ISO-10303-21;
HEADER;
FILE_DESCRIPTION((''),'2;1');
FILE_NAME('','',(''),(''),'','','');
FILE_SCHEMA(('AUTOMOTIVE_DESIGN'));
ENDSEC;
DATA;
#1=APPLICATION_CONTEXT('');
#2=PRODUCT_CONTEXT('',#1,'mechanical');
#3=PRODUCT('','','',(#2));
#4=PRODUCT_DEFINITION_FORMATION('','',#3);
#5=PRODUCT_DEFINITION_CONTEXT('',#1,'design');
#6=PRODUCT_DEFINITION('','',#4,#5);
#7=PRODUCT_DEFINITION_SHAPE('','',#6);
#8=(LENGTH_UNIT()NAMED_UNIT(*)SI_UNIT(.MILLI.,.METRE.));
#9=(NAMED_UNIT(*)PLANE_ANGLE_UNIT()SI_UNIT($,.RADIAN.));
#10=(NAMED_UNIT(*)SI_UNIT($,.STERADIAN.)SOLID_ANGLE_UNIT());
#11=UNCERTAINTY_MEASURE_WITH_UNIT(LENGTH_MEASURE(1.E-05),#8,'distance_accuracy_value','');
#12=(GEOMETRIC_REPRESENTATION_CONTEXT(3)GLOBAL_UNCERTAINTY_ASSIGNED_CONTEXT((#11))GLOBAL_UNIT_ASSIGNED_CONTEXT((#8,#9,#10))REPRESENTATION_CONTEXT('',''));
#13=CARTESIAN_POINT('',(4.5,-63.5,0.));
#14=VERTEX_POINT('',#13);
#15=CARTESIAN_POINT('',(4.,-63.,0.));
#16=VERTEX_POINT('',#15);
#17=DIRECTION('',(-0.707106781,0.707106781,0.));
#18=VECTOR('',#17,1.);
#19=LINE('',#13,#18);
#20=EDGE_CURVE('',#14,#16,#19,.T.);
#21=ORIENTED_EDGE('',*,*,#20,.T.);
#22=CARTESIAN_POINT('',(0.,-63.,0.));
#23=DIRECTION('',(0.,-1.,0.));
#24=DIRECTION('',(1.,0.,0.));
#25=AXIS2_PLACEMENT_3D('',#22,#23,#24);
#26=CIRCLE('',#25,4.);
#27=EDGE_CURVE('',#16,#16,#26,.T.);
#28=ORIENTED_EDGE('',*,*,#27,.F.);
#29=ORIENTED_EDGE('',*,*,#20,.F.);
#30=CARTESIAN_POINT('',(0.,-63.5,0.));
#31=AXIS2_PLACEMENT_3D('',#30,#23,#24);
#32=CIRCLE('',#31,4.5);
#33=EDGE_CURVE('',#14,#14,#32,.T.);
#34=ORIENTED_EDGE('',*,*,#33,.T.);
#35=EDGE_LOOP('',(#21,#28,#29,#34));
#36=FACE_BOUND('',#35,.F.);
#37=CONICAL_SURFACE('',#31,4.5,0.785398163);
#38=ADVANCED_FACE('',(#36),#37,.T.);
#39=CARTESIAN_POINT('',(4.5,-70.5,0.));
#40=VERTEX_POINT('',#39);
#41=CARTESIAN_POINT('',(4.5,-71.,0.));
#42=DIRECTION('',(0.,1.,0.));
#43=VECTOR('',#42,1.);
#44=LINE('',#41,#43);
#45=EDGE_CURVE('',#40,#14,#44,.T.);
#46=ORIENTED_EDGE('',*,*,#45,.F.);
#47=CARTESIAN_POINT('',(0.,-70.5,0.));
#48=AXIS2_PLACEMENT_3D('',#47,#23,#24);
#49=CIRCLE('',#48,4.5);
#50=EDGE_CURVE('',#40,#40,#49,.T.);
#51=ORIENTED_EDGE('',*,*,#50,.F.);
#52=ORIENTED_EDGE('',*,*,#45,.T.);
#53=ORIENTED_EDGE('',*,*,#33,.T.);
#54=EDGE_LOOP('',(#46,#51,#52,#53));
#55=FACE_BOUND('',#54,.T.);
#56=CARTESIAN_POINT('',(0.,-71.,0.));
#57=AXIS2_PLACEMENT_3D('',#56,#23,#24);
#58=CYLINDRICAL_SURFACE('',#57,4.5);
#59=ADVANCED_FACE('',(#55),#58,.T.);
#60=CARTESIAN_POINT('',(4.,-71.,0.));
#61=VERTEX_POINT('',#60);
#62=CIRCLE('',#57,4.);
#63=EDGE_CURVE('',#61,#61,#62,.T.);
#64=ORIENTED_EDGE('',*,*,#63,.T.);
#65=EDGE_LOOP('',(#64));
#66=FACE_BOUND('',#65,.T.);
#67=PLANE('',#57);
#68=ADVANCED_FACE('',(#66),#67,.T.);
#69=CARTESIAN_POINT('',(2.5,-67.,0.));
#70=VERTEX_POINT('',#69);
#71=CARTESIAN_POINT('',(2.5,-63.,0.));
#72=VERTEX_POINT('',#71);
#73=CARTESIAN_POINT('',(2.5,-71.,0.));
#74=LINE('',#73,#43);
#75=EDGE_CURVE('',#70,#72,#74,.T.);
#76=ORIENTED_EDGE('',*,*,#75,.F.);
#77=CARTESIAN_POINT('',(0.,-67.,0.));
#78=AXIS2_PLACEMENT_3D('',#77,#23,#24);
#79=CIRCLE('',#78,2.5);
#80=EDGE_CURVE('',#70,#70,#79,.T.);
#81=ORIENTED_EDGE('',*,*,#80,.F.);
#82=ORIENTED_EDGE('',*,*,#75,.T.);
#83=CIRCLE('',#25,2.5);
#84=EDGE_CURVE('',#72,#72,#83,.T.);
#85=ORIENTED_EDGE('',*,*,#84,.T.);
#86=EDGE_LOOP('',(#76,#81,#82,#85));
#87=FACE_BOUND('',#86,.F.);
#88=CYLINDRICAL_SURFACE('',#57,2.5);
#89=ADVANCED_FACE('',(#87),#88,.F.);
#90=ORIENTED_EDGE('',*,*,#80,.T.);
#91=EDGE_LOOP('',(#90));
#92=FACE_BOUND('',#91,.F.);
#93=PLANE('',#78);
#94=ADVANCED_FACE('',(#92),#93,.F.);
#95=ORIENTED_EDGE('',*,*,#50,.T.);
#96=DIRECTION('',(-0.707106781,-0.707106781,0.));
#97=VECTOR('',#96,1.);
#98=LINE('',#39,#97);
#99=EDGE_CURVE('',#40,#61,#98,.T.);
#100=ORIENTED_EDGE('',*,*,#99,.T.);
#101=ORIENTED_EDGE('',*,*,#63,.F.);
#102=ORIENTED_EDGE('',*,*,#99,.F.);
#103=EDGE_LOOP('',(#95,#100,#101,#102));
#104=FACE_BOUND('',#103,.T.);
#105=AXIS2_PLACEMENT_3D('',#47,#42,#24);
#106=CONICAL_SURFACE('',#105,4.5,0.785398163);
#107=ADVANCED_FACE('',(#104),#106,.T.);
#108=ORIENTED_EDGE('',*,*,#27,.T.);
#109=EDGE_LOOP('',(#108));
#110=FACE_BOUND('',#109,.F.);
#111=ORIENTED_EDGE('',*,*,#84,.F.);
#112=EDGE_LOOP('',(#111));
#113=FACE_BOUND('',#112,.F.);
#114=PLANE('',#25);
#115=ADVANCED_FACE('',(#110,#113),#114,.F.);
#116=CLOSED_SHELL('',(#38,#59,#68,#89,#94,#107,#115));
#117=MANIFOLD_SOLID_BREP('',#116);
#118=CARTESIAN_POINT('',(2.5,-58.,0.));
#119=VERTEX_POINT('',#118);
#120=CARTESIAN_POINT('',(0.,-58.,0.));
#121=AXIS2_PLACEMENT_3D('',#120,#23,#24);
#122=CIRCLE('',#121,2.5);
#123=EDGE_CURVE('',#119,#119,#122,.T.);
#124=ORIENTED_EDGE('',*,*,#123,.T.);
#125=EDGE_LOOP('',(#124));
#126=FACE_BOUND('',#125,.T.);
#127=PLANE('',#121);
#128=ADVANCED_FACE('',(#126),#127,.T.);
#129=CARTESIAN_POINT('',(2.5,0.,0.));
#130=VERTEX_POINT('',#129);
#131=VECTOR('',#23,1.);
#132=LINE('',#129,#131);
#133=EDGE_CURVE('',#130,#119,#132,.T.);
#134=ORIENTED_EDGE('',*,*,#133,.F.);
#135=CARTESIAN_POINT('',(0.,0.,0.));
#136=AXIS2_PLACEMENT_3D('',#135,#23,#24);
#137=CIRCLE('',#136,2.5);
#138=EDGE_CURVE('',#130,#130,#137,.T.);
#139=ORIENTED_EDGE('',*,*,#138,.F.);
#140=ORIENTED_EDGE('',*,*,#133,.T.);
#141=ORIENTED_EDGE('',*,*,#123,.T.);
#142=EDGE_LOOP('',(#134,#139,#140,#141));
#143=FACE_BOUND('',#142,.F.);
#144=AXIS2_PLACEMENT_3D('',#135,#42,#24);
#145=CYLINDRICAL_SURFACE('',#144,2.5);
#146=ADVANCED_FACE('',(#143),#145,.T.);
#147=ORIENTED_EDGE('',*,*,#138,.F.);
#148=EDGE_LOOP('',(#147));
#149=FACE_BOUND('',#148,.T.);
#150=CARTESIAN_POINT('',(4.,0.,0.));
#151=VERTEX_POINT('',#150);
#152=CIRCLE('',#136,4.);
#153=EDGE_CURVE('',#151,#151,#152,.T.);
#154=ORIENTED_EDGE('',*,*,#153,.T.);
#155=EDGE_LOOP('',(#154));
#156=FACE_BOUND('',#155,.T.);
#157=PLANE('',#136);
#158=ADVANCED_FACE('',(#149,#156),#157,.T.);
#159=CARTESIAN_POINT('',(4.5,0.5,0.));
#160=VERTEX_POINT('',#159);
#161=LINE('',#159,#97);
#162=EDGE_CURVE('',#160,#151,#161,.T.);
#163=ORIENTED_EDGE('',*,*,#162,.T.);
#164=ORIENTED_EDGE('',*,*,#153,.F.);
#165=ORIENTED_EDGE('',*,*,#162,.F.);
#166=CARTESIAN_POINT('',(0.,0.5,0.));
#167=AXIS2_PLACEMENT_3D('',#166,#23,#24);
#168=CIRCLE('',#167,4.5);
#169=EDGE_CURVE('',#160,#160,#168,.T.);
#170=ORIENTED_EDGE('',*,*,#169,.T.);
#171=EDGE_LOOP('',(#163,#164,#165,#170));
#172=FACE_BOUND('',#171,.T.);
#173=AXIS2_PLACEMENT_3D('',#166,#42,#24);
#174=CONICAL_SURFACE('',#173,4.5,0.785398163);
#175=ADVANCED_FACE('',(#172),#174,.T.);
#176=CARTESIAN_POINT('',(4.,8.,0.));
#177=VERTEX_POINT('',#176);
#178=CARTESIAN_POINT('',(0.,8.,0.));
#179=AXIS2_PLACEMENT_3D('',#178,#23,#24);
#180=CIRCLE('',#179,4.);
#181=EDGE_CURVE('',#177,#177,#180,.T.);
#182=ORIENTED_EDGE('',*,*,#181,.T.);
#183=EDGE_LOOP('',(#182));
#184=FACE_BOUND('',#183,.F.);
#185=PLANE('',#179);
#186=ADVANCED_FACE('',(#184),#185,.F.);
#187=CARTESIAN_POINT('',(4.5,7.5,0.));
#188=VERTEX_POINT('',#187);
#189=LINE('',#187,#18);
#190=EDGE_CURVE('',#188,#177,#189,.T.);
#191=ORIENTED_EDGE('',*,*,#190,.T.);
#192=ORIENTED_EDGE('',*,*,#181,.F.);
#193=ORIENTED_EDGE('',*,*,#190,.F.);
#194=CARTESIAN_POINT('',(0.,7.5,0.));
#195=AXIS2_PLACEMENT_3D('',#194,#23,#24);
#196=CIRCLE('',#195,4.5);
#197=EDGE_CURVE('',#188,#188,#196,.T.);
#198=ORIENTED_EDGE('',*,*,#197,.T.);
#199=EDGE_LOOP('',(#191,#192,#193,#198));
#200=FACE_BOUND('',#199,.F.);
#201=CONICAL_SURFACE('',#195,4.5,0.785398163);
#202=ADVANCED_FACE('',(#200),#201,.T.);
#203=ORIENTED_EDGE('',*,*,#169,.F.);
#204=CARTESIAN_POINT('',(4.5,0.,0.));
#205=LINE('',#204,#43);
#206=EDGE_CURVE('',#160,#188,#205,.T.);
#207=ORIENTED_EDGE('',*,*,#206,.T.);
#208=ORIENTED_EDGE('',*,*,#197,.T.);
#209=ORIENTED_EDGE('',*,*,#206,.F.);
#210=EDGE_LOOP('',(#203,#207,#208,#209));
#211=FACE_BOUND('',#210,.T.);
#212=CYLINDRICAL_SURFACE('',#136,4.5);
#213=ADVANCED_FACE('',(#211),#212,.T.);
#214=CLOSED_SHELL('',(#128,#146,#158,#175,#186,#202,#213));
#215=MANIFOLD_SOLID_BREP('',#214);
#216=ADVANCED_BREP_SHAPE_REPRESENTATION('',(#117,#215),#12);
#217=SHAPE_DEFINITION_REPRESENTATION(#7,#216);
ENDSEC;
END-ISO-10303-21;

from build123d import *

# Parameters (mm, degrees)
F0_R     = 2.5
F1_DEPTH = 58
F0_R_2   = 4.5
F2_DEPTH = 8
F3_SIZE  = 0.5
F5_R     = 4.5
F5_R_2   = 2.5
F6_DEPTH = 8
F7_SIZE  = 0.5
F8_DEPTH = 4


with BuildPart() as f1:
    # F0 (on Front) → F1 (new body)
    with BuildSketch(Plane.XZ):
        Circle(F0_R)
    extrude(amount=F1_DEPTH)

    # F0 (on Front) → F2 (join)
    with BuildSketch(Plane.XZ):
        Circle(F0_R_2)
        Circle(F0_R, mode=Mode.SUBTRACT)
        Circle(F0_R)
    extrude(amount=-F2_DEPTH)

    # F3
    f3_edges = [f1.edges().sort_by_distance(p)[0] for p in [
        (-4.5, 8, 0),
        (-4.5, 0, 0),
    ]]
    chamfer(f3_edges, length=F3_SIZE)


with BuildPart() as f6:
    # F5 (on offset) → F6 (new body)
    with BuildSketch(Plane.XZ.offset(71)):
        Circle(F5_R)
        Circle(F5_R_2, mode=Mode.SUBTRACT)
    extrude(amount=-F6_DEPTH)

    # F7
    f7_edges = [f6.edges().sort_by_distance(p)[0] for p in [
        (-4.5, -63, 0),
        (-4.5, -71, 0),
    ]]
    chamfer(f7_edges, length=F7_SIZE)

    # F5 (on offset) → F8 (join)
    with BuildSketch(Plane.XZ.offset(71)):
        Circle(F5_R_2)
    extrude(amount=-F8_DEPTH)


solid = Compound([f1.part, f6.part])
